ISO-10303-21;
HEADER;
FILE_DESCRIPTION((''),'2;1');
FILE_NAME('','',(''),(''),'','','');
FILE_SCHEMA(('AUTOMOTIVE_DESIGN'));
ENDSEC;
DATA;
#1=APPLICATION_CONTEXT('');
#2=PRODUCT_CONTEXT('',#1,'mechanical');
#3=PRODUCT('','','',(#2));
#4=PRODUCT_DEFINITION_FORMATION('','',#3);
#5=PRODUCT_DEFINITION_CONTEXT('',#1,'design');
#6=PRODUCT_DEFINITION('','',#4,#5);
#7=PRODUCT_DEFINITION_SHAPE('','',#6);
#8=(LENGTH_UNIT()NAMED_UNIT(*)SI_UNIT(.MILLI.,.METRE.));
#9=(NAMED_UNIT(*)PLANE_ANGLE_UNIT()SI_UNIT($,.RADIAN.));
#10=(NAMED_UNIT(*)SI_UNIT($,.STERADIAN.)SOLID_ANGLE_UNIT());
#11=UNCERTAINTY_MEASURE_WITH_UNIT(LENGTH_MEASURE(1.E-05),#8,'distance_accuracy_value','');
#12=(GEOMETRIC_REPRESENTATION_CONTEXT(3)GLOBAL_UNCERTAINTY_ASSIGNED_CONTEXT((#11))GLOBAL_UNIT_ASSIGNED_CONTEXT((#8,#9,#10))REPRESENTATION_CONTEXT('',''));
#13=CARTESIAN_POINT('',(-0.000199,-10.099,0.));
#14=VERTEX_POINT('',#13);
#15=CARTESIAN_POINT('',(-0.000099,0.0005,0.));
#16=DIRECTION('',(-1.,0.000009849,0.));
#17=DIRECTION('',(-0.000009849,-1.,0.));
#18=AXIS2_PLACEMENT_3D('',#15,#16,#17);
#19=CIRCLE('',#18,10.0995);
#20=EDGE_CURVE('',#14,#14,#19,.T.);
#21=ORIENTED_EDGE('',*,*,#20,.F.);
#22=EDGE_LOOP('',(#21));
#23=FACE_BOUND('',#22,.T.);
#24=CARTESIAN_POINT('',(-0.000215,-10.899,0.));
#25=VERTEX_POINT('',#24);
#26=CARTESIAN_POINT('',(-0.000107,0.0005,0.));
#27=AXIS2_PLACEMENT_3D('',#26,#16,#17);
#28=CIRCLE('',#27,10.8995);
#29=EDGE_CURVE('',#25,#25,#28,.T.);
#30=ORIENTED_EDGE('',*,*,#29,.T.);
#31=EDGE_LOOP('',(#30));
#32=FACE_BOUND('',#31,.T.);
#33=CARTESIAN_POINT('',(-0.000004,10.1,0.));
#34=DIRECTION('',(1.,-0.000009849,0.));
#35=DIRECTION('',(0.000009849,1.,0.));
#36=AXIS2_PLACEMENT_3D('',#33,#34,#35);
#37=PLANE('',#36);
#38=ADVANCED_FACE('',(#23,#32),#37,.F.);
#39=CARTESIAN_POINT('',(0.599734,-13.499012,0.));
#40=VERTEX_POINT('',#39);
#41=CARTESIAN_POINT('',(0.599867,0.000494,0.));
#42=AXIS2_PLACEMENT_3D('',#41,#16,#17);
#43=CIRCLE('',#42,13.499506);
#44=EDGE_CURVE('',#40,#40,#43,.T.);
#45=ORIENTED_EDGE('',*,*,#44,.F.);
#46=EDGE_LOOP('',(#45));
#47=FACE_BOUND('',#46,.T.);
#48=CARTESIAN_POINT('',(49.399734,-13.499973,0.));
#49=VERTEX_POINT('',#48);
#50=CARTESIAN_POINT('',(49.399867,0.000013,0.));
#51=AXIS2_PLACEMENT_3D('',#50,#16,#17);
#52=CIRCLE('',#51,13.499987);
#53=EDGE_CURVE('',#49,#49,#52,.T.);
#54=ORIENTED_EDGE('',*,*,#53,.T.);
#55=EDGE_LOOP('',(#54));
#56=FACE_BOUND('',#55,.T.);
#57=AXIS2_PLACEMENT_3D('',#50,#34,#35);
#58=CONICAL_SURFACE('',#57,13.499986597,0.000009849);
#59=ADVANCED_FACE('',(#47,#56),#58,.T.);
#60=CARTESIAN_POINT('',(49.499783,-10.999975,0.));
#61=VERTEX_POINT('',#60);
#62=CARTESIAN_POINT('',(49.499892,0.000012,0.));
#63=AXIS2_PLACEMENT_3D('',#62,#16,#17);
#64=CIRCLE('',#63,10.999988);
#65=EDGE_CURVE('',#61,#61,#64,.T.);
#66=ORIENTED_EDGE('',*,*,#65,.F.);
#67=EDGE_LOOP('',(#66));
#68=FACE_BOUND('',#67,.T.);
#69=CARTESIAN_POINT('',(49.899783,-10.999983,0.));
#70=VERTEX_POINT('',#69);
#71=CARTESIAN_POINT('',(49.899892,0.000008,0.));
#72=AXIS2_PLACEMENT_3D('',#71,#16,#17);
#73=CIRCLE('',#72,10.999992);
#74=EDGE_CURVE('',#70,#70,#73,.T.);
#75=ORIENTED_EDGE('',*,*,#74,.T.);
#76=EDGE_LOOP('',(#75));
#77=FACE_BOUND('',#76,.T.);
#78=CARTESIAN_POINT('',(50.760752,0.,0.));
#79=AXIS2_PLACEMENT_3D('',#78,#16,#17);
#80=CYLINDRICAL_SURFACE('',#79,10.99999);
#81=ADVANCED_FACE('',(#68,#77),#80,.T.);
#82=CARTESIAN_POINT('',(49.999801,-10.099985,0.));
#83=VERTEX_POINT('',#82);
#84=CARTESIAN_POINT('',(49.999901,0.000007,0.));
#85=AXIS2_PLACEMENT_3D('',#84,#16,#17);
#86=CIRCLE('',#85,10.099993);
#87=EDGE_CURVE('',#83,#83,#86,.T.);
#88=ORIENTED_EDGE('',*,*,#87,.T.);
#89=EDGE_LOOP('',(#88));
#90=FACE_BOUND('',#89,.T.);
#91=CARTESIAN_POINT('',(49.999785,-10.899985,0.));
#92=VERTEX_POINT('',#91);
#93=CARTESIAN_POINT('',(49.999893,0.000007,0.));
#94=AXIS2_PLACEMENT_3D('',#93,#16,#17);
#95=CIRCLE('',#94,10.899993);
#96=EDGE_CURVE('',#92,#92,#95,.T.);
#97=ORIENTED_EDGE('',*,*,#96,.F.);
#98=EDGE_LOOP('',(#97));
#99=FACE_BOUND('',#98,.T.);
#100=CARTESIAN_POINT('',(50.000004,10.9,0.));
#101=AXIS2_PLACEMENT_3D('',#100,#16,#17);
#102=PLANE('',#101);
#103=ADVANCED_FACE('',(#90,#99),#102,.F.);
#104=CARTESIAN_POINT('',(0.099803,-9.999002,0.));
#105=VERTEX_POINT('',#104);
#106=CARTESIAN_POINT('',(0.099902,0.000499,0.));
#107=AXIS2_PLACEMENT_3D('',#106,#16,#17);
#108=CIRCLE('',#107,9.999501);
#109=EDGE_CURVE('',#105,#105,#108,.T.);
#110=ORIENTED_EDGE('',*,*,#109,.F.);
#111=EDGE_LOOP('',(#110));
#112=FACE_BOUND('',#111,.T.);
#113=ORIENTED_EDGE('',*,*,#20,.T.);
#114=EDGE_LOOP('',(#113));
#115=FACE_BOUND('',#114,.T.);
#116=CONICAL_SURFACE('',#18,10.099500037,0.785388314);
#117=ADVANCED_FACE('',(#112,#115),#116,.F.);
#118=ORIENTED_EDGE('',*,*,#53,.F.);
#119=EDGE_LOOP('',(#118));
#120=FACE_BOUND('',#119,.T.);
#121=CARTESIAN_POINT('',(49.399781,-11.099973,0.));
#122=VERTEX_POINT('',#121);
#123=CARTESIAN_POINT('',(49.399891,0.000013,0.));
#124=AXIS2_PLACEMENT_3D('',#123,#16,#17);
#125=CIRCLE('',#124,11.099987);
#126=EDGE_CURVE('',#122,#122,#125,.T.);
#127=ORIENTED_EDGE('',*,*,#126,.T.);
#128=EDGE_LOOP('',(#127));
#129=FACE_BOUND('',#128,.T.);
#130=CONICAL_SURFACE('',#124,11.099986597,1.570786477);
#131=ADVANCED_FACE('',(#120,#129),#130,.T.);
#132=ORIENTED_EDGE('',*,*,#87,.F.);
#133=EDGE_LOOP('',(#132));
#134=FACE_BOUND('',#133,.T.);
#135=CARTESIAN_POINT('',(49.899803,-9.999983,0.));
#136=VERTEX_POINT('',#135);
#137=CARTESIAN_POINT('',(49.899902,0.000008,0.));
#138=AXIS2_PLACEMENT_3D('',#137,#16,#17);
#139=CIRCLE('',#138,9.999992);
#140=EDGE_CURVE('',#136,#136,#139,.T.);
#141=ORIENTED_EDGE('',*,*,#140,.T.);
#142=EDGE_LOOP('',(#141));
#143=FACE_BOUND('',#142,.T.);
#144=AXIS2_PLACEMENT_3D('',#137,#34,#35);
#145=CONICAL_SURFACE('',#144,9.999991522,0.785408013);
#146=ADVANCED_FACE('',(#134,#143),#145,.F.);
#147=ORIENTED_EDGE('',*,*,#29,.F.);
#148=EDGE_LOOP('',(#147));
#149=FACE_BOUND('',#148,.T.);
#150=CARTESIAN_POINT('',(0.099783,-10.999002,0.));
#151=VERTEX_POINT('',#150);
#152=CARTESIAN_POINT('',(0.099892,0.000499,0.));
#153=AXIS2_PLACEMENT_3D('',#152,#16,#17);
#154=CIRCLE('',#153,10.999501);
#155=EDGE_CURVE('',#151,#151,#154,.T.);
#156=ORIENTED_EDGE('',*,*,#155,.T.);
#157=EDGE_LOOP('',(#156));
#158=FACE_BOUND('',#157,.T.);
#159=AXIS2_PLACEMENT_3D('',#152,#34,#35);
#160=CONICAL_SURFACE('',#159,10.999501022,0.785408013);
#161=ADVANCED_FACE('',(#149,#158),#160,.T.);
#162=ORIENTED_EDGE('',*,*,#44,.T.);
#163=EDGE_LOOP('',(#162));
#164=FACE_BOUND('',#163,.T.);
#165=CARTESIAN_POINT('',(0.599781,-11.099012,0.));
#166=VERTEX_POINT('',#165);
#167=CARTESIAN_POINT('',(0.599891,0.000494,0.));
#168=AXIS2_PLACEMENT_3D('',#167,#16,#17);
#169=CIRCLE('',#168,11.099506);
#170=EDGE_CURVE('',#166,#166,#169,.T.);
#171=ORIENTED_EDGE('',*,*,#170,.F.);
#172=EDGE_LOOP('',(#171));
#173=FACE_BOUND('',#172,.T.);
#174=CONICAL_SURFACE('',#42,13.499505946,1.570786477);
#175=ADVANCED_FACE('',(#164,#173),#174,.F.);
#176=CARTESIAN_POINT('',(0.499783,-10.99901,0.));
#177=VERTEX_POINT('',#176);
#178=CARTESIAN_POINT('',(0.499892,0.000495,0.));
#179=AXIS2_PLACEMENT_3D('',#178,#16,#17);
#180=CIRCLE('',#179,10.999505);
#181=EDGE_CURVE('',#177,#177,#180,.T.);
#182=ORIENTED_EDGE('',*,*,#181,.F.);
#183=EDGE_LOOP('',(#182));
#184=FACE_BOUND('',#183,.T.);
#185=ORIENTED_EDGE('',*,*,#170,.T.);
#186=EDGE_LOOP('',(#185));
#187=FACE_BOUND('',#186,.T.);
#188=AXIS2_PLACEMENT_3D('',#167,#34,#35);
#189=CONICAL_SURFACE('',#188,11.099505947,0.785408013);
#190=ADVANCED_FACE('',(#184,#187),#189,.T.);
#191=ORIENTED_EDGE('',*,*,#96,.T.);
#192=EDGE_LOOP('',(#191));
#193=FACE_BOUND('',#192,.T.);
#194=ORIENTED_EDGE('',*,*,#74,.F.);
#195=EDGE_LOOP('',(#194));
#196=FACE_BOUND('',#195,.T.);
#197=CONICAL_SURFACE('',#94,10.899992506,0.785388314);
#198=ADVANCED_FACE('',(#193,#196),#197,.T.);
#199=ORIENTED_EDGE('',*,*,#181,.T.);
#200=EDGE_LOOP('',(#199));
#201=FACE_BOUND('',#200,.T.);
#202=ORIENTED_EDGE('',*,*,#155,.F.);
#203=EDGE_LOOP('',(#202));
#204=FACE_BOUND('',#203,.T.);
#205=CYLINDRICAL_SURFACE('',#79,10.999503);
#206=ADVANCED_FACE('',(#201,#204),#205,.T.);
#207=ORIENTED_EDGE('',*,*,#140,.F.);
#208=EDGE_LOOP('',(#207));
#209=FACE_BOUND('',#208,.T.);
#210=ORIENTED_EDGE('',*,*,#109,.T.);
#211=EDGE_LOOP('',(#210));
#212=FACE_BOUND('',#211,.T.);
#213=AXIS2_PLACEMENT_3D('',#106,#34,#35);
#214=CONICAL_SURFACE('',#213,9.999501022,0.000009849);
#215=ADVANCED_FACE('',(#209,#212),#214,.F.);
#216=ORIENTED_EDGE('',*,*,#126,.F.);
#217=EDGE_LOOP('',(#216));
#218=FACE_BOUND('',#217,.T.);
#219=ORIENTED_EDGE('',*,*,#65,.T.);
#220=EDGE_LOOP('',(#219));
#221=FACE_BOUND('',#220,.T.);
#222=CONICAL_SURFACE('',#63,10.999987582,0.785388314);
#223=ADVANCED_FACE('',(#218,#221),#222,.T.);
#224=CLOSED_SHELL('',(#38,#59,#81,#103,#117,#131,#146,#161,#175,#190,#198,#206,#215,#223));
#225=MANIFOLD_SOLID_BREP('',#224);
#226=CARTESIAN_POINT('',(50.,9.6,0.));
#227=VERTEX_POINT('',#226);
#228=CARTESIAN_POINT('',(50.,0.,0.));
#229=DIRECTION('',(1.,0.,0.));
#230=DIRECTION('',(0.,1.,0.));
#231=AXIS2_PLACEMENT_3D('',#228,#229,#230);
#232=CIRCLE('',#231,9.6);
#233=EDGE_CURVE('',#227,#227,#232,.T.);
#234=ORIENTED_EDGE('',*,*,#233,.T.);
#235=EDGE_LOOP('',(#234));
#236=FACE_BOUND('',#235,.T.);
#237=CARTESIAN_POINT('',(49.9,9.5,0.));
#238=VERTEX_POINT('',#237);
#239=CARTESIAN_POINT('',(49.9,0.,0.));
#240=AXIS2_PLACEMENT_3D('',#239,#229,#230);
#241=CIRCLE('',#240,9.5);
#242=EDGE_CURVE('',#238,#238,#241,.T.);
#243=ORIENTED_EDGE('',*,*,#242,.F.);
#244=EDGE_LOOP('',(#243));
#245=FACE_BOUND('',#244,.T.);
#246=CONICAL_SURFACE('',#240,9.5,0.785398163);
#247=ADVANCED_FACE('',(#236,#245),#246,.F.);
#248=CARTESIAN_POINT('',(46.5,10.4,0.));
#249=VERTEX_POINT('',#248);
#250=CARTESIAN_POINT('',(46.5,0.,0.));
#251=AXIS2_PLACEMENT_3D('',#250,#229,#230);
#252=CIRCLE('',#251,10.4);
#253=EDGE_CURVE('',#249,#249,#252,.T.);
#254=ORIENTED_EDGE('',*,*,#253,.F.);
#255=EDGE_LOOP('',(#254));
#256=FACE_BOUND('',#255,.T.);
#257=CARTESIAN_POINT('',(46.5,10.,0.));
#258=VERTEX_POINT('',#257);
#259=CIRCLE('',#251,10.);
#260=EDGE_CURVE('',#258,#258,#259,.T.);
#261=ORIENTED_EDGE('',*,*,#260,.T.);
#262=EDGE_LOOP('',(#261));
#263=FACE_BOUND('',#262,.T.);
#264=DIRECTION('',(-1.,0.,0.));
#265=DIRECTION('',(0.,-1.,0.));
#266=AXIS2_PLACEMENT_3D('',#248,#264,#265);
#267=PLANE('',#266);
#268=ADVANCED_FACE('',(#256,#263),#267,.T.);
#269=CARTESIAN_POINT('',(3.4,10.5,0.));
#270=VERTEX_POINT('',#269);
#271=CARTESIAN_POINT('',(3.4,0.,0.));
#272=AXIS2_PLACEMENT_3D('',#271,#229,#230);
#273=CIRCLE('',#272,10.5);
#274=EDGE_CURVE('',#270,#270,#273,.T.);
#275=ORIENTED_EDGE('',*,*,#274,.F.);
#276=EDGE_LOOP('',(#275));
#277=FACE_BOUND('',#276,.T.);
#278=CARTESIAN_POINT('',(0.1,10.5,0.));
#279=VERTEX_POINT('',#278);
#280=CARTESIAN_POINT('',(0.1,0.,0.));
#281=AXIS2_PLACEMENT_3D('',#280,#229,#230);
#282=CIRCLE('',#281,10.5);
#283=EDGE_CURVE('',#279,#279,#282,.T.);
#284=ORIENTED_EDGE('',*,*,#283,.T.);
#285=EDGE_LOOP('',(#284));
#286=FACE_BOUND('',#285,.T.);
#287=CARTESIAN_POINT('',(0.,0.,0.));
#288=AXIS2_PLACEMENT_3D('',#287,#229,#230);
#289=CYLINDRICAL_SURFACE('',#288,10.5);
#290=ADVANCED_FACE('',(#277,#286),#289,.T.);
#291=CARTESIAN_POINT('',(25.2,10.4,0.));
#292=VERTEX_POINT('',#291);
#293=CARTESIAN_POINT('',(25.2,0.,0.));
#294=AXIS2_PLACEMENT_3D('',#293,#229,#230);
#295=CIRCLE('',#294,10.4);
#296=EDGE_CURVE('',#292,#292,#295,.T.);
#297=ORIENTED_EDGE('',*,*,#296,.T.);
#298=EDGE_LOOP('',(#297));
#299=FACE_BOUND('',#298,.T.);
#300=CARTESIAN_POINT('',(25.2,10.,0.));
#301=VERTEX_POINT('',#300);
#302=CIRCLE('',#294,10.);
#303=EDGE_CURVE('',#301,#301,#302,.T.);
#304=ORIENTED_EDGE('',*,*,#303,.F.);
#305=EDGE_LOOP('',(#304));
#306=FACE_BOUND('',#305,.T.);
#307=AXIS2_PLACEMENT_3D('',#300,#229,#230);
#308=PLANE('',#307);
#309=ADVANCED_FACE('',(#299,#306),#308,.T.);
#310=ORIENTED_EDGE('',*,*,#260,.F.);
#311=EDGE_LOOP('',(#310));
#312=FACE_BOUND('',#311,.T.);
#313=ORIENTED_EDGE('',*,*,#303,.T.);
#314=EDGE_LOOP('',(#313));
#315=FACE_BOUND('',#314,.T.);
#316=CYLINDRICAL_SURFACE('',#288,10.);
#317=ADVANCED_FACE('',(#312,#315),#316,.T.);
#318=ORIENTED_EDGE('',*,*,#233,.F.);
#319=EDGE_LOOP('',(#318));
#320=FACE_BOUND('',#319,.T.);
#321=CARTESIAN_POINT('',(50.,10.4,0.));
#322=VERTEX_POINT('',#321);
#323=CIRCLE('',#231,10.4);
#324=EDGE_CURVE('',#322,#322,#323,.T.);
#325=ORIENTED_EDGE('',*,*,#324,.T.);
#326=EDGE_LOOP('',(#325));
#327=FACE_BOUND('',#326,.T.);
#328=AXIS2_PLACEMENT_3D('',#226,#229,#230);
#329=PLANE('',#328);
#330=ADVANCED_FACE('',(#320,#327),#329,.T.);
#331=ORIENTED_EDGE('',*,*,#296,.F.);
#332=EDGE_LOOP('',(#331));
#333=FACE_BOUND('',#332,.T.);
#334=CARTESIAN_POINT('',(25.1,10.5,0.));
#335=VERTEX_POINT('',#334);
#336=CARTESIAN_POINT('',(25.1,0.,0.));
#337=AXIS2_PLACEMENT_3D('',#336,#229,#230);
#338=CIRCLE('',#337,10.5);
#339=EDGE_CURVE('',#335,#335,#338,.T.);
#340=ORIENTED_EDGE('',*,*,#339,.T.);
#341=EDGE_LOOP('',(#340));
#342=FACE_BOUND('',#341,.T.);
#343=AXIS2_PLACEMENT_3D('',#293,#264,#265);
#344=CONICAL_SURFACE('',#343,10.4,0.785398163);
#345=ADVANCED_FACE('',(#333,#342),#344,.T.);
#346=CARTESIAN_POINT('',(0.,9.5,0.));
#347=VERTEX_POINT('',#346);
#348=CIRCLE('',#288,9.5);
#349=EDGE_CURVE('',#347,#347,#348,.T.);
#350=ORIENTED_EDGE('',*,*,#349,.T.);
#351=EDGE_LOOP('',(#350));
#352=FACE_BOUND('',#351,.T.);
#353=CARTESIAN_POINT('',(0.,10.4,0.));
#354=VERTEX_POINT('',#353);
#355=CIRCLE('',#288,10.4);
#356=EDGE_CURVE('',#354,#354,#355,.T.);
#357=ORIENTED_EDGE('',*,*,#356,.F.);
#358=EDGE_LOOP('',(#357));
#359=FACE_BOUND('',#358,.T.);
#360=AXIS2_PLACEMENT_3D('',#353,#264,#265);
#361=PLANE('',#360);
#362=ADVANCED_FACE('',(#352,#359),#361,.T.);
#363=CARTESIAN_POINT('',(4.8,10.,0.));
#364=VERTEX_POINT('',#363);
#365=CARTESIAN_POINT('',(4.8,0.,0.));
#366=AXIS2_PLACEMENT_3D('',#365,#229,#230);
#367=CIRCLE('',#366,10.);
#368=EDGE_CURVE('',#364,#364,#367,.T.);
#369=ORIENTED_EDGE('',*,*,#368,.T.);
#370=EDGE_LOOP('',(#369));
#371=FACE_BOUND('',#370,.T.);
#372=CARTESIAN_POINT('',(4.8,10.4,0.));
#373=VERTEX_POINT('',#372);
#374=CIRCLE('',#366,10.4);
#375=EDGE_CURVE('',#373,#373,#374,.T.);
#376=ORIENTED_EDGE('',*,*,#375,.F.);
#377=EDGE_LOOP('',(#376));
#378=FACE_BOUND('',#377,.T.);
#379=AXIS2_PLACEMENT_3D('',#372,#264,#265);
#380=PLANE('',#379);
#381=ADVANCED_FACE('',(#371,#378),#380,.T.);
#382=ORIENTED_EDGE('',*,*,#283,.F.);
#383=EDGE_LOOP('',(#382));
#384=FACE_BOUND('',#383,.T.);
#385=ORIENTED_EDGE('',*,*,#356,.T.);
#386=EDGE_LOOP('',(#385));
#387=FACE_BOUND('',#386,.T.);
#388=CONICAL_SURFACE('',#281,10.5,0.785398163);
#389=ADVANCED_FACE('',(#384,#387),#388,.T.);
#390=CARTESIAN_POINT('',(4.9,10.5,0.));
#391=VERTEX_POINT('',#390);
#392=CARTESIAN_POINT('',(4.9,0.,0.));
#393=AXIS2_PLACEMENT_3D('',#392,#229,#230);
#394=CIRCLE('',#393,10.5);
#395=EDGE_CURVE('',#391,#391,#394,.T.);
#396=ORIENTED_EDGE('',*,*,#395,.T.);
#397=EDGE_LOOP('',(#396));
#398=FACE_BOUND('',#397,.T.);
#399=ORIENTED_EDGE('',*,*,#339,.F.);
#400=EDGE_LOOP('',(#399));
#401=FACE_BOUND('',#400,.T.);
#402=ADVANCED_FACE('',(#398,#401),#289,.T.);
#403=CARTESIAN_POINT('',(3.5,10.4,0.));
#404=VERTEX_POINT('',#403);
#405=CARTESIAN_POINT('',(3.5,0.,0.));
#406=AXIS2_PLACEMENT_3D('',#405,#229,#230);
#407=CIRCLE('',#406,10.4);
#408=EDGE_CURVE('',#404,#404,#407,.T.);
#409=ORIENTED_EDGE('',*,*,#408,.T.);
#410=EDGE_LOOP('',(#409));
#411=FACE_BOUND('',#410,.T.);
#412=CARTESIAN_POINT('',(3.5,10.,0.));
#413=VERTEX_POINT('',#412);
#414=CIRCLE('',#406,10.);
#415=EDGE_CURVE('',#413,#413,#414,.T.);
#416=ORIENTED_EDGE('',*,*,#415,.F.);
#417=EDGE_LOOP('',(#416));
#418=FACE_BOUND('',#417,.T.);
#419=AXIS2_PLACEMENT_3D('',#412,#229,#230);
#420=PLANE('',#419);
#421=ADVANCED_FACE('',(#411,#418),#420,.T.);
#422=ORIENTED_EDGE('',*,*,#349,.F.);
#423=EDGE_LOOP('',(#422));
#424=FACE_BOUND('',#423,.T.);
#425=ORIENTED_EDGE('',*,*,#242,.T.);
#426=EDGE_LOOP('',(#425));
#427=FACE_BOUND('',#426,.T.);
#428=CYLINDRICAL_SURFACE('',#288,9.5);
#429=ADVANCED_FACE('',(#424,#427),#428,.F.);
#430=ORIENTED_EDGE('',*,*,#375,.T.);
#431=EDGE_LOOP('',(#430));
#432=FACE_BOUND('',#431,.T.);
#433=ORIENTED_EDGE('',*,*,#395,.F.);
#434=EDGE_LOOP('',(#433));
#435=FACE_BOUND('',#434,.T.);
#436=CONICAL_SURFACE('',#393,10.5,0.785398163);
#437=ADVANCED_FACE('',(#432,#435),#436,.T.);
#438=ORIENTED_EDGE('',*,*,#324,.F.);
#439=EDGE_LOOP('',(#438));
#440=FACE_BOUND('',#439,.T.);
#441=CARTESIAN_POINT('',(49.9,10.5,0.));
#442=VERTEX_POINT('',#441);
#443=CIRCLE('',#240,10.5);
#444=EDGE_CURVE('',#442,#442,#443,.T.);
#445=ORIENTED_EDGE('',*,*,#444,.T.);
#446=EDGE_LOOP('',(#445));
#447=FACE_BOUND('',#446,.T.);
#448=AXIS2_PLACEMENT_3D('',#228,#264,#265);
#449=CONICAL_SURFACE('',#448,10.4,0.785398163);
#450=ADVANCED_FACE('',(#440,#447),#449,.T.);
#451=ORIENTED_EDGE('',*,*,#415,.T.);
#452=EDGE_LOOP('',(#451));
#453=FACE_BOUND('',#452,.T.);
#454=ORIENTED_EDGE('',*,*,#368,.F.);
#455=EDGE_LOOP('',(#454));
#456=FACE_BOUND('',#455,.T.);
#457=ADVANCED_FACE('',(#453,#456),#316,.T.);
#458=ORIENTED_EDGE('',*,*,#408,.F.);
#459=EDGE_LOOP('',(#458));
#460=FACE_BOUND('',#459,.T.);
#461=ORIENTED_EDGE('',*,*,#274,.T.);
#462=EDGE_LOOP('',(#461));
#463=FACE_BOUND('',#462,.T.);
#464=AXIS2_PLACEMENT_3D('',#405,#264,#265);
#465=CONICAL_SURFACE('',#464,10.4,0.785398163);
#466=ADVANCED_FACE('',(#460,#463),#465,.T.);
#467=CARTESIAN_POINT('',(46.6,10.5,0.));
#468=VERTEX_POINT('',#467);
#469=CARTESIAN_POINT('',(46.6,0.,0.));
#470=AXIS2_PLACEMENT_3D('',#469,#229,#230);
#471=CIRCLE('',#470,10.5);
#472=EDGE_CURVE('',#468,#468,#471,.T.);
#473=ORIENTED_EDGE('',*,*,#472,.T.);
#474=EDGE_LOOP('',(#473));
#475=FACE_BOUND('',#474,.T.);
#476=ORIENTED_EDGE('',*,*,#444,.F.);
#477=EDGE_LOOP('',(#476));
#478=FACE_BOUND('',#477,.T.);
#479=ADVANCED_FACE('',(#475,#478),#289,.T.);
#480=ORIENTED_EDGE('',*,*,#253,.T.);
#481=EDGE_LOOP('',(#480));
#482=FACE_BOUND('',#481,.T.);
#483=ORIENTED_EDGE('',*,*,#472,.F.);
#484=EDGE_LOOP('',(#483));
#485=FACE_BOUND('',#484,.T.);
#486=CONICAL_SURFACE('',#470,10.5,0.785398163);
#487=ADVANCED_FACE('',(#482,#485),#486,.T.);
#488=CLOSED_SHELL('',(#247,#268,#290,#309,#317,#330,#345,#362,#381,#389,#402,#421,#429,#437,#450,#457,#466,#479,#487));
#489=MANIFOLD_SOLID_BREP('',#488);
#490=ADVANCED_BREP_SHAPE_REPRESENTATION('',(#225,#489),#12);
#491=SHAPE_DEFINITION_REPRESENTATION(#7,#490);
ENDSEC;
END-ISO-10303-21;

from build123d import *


with BuildPart() as part:
    # Эскиз3 → Повернуть2 (revolve)
    with BuildSketch(Plane.XY):
        Polygon((25.2, 10.4), (25.1, 10.5), (4.9, 10.5), (4.8, 10.4), (4.8, 10), (3.5, 10), (3.5, 10.4), (3.4, 10.5), (0.1, 10.5), (0, 10.4), (0, 9.5), (49.9, 9.5), (50, 9.6), (50, 10.4), (49.9, 10.5), (46.6, 10.5), (46.5, 10.4), (46.5, 10), (25.2, 10), align=None)
    revolve(axis=Axis((0, 0, 0), (1, 0, 0)))


with BuildPart() as body_2:
    # Эскиз7 → Повернуть3 (revolve)
    with BuildSketch(Plane.XY, mode=Mode.PRIVATE) as revolve_3_sk:
        Polygon((0, 10.1), (0, 10.9), (0.1, 11), (0.5, 11), (0.6, 11.1), (0.6, 13.5), (49.4, 13.5), (49.4, 11.1), (49.5, 11), (49.9, 11), (50, 10.9), (50, 10.1), (49.9, 10), (0.1, 10), align=None)
    revolve(revolve_3_sk.sketch.rotate(Axis((50.760752351, 0, 0), (-0.9999999999514948, 9.849390109362252e-06, 0)), 180), axis=Axis((50.760752351, 0, 0), (-0.9999999999514948, 9.849390109362252e-06, 0)))


solid = Compound([part.part, body_2.part])
